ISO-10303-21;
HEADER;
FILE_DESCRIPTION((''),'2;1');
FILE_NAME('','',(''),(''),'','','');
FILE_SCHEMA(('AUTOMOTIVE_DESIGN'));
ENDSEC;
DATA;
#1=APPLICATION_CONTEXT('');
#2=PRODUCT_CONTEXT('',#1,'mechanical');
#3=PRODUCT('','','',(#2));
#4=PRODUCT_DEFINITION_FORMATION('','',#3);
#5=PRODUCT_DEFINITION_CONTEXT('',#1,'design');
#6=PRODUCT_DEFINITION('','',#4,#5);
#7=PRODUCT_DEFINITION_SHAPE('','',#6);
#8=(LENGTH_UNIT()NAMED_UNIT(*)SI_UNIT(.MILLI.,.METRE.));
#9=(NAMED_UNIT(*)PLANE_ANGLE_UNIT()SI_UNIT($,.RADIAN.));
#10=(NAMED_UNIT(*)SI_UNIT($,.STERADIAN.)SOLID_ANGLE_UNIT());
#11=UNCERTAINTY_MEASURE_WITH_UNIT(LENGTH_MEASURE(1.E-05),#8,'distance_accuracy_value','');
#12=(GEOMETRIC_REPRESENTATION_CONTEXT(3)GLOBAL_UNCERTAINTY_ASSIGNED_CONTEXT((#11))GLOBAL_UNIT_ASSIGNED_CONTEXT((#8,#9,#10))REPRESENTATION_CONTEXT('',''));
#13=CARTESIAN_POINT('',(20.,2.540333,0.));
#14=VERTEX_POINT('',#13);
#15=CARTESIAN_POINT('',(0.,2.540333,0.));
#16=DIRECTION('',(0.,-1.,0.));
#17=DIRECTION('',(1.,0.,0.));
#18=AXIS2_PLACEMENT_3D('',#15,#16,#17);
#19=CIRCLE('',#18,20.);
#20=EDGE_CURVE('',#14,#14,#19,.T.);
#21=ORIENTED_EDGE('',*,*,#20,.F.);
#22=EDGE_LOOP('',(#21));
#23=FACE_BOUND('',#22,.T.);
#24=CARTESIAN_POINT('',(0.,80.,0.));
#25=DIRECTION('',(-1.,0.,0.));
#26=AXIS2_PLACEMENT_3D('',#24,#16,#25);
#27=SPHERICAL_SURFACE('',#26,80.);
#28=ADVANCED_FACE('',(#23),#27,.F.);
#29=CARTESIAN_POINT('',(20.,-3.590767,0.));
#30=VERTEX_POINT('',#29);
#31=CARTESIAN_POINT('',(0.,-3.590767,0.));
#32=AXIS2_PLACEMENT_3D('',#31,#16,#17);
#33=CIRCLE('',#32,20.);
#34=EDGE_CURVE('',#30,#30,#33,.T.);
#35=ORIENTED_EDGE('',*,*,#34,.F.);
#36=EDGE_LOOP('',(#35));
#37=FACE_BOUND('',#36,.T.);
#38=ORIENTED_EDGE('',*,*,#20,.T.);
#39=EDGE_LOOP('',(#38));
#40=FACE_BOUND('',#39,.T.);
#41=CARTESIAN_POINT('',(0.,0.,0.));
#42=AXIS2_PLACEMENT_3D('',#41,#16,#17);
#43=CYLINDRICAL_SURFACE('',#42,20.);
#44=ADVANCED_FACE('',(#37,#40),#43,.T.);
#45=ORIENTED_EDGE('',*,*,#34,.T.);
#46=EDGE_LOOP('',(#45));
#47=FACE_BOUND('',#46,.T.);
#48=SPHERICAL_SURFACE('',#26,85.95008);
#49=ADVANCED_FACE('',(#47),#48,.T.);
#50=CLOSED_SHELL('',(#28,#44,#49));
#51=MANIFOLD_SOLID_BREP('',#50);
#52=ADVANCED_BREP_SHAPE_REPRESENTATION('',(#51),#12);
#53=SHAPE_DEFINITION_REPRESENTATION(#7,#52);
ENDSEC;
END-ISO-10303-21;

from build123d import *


with BuildPart() as part:
    # Esquisse1 → Révolution3 (revolve)
    with BuildSketch(Plane.XY):
        with BuildLine():
            Line((-20, -3.590766689), (-20, 2.540333076))
            ThreePointArc((-20, 2.540333076), (-10.080343399, 0.637624299), (0, 0))
            Line((0, 0), (0, -5.950080138))
            ThreePointArc((0, -5.950080138), (-10.069339104, -5.358213932), (-20, -3.590766689))
        make_face()
    revolve(axis=Axis((0, 0, 0), (0, 1, 0)))


solid = part.part
